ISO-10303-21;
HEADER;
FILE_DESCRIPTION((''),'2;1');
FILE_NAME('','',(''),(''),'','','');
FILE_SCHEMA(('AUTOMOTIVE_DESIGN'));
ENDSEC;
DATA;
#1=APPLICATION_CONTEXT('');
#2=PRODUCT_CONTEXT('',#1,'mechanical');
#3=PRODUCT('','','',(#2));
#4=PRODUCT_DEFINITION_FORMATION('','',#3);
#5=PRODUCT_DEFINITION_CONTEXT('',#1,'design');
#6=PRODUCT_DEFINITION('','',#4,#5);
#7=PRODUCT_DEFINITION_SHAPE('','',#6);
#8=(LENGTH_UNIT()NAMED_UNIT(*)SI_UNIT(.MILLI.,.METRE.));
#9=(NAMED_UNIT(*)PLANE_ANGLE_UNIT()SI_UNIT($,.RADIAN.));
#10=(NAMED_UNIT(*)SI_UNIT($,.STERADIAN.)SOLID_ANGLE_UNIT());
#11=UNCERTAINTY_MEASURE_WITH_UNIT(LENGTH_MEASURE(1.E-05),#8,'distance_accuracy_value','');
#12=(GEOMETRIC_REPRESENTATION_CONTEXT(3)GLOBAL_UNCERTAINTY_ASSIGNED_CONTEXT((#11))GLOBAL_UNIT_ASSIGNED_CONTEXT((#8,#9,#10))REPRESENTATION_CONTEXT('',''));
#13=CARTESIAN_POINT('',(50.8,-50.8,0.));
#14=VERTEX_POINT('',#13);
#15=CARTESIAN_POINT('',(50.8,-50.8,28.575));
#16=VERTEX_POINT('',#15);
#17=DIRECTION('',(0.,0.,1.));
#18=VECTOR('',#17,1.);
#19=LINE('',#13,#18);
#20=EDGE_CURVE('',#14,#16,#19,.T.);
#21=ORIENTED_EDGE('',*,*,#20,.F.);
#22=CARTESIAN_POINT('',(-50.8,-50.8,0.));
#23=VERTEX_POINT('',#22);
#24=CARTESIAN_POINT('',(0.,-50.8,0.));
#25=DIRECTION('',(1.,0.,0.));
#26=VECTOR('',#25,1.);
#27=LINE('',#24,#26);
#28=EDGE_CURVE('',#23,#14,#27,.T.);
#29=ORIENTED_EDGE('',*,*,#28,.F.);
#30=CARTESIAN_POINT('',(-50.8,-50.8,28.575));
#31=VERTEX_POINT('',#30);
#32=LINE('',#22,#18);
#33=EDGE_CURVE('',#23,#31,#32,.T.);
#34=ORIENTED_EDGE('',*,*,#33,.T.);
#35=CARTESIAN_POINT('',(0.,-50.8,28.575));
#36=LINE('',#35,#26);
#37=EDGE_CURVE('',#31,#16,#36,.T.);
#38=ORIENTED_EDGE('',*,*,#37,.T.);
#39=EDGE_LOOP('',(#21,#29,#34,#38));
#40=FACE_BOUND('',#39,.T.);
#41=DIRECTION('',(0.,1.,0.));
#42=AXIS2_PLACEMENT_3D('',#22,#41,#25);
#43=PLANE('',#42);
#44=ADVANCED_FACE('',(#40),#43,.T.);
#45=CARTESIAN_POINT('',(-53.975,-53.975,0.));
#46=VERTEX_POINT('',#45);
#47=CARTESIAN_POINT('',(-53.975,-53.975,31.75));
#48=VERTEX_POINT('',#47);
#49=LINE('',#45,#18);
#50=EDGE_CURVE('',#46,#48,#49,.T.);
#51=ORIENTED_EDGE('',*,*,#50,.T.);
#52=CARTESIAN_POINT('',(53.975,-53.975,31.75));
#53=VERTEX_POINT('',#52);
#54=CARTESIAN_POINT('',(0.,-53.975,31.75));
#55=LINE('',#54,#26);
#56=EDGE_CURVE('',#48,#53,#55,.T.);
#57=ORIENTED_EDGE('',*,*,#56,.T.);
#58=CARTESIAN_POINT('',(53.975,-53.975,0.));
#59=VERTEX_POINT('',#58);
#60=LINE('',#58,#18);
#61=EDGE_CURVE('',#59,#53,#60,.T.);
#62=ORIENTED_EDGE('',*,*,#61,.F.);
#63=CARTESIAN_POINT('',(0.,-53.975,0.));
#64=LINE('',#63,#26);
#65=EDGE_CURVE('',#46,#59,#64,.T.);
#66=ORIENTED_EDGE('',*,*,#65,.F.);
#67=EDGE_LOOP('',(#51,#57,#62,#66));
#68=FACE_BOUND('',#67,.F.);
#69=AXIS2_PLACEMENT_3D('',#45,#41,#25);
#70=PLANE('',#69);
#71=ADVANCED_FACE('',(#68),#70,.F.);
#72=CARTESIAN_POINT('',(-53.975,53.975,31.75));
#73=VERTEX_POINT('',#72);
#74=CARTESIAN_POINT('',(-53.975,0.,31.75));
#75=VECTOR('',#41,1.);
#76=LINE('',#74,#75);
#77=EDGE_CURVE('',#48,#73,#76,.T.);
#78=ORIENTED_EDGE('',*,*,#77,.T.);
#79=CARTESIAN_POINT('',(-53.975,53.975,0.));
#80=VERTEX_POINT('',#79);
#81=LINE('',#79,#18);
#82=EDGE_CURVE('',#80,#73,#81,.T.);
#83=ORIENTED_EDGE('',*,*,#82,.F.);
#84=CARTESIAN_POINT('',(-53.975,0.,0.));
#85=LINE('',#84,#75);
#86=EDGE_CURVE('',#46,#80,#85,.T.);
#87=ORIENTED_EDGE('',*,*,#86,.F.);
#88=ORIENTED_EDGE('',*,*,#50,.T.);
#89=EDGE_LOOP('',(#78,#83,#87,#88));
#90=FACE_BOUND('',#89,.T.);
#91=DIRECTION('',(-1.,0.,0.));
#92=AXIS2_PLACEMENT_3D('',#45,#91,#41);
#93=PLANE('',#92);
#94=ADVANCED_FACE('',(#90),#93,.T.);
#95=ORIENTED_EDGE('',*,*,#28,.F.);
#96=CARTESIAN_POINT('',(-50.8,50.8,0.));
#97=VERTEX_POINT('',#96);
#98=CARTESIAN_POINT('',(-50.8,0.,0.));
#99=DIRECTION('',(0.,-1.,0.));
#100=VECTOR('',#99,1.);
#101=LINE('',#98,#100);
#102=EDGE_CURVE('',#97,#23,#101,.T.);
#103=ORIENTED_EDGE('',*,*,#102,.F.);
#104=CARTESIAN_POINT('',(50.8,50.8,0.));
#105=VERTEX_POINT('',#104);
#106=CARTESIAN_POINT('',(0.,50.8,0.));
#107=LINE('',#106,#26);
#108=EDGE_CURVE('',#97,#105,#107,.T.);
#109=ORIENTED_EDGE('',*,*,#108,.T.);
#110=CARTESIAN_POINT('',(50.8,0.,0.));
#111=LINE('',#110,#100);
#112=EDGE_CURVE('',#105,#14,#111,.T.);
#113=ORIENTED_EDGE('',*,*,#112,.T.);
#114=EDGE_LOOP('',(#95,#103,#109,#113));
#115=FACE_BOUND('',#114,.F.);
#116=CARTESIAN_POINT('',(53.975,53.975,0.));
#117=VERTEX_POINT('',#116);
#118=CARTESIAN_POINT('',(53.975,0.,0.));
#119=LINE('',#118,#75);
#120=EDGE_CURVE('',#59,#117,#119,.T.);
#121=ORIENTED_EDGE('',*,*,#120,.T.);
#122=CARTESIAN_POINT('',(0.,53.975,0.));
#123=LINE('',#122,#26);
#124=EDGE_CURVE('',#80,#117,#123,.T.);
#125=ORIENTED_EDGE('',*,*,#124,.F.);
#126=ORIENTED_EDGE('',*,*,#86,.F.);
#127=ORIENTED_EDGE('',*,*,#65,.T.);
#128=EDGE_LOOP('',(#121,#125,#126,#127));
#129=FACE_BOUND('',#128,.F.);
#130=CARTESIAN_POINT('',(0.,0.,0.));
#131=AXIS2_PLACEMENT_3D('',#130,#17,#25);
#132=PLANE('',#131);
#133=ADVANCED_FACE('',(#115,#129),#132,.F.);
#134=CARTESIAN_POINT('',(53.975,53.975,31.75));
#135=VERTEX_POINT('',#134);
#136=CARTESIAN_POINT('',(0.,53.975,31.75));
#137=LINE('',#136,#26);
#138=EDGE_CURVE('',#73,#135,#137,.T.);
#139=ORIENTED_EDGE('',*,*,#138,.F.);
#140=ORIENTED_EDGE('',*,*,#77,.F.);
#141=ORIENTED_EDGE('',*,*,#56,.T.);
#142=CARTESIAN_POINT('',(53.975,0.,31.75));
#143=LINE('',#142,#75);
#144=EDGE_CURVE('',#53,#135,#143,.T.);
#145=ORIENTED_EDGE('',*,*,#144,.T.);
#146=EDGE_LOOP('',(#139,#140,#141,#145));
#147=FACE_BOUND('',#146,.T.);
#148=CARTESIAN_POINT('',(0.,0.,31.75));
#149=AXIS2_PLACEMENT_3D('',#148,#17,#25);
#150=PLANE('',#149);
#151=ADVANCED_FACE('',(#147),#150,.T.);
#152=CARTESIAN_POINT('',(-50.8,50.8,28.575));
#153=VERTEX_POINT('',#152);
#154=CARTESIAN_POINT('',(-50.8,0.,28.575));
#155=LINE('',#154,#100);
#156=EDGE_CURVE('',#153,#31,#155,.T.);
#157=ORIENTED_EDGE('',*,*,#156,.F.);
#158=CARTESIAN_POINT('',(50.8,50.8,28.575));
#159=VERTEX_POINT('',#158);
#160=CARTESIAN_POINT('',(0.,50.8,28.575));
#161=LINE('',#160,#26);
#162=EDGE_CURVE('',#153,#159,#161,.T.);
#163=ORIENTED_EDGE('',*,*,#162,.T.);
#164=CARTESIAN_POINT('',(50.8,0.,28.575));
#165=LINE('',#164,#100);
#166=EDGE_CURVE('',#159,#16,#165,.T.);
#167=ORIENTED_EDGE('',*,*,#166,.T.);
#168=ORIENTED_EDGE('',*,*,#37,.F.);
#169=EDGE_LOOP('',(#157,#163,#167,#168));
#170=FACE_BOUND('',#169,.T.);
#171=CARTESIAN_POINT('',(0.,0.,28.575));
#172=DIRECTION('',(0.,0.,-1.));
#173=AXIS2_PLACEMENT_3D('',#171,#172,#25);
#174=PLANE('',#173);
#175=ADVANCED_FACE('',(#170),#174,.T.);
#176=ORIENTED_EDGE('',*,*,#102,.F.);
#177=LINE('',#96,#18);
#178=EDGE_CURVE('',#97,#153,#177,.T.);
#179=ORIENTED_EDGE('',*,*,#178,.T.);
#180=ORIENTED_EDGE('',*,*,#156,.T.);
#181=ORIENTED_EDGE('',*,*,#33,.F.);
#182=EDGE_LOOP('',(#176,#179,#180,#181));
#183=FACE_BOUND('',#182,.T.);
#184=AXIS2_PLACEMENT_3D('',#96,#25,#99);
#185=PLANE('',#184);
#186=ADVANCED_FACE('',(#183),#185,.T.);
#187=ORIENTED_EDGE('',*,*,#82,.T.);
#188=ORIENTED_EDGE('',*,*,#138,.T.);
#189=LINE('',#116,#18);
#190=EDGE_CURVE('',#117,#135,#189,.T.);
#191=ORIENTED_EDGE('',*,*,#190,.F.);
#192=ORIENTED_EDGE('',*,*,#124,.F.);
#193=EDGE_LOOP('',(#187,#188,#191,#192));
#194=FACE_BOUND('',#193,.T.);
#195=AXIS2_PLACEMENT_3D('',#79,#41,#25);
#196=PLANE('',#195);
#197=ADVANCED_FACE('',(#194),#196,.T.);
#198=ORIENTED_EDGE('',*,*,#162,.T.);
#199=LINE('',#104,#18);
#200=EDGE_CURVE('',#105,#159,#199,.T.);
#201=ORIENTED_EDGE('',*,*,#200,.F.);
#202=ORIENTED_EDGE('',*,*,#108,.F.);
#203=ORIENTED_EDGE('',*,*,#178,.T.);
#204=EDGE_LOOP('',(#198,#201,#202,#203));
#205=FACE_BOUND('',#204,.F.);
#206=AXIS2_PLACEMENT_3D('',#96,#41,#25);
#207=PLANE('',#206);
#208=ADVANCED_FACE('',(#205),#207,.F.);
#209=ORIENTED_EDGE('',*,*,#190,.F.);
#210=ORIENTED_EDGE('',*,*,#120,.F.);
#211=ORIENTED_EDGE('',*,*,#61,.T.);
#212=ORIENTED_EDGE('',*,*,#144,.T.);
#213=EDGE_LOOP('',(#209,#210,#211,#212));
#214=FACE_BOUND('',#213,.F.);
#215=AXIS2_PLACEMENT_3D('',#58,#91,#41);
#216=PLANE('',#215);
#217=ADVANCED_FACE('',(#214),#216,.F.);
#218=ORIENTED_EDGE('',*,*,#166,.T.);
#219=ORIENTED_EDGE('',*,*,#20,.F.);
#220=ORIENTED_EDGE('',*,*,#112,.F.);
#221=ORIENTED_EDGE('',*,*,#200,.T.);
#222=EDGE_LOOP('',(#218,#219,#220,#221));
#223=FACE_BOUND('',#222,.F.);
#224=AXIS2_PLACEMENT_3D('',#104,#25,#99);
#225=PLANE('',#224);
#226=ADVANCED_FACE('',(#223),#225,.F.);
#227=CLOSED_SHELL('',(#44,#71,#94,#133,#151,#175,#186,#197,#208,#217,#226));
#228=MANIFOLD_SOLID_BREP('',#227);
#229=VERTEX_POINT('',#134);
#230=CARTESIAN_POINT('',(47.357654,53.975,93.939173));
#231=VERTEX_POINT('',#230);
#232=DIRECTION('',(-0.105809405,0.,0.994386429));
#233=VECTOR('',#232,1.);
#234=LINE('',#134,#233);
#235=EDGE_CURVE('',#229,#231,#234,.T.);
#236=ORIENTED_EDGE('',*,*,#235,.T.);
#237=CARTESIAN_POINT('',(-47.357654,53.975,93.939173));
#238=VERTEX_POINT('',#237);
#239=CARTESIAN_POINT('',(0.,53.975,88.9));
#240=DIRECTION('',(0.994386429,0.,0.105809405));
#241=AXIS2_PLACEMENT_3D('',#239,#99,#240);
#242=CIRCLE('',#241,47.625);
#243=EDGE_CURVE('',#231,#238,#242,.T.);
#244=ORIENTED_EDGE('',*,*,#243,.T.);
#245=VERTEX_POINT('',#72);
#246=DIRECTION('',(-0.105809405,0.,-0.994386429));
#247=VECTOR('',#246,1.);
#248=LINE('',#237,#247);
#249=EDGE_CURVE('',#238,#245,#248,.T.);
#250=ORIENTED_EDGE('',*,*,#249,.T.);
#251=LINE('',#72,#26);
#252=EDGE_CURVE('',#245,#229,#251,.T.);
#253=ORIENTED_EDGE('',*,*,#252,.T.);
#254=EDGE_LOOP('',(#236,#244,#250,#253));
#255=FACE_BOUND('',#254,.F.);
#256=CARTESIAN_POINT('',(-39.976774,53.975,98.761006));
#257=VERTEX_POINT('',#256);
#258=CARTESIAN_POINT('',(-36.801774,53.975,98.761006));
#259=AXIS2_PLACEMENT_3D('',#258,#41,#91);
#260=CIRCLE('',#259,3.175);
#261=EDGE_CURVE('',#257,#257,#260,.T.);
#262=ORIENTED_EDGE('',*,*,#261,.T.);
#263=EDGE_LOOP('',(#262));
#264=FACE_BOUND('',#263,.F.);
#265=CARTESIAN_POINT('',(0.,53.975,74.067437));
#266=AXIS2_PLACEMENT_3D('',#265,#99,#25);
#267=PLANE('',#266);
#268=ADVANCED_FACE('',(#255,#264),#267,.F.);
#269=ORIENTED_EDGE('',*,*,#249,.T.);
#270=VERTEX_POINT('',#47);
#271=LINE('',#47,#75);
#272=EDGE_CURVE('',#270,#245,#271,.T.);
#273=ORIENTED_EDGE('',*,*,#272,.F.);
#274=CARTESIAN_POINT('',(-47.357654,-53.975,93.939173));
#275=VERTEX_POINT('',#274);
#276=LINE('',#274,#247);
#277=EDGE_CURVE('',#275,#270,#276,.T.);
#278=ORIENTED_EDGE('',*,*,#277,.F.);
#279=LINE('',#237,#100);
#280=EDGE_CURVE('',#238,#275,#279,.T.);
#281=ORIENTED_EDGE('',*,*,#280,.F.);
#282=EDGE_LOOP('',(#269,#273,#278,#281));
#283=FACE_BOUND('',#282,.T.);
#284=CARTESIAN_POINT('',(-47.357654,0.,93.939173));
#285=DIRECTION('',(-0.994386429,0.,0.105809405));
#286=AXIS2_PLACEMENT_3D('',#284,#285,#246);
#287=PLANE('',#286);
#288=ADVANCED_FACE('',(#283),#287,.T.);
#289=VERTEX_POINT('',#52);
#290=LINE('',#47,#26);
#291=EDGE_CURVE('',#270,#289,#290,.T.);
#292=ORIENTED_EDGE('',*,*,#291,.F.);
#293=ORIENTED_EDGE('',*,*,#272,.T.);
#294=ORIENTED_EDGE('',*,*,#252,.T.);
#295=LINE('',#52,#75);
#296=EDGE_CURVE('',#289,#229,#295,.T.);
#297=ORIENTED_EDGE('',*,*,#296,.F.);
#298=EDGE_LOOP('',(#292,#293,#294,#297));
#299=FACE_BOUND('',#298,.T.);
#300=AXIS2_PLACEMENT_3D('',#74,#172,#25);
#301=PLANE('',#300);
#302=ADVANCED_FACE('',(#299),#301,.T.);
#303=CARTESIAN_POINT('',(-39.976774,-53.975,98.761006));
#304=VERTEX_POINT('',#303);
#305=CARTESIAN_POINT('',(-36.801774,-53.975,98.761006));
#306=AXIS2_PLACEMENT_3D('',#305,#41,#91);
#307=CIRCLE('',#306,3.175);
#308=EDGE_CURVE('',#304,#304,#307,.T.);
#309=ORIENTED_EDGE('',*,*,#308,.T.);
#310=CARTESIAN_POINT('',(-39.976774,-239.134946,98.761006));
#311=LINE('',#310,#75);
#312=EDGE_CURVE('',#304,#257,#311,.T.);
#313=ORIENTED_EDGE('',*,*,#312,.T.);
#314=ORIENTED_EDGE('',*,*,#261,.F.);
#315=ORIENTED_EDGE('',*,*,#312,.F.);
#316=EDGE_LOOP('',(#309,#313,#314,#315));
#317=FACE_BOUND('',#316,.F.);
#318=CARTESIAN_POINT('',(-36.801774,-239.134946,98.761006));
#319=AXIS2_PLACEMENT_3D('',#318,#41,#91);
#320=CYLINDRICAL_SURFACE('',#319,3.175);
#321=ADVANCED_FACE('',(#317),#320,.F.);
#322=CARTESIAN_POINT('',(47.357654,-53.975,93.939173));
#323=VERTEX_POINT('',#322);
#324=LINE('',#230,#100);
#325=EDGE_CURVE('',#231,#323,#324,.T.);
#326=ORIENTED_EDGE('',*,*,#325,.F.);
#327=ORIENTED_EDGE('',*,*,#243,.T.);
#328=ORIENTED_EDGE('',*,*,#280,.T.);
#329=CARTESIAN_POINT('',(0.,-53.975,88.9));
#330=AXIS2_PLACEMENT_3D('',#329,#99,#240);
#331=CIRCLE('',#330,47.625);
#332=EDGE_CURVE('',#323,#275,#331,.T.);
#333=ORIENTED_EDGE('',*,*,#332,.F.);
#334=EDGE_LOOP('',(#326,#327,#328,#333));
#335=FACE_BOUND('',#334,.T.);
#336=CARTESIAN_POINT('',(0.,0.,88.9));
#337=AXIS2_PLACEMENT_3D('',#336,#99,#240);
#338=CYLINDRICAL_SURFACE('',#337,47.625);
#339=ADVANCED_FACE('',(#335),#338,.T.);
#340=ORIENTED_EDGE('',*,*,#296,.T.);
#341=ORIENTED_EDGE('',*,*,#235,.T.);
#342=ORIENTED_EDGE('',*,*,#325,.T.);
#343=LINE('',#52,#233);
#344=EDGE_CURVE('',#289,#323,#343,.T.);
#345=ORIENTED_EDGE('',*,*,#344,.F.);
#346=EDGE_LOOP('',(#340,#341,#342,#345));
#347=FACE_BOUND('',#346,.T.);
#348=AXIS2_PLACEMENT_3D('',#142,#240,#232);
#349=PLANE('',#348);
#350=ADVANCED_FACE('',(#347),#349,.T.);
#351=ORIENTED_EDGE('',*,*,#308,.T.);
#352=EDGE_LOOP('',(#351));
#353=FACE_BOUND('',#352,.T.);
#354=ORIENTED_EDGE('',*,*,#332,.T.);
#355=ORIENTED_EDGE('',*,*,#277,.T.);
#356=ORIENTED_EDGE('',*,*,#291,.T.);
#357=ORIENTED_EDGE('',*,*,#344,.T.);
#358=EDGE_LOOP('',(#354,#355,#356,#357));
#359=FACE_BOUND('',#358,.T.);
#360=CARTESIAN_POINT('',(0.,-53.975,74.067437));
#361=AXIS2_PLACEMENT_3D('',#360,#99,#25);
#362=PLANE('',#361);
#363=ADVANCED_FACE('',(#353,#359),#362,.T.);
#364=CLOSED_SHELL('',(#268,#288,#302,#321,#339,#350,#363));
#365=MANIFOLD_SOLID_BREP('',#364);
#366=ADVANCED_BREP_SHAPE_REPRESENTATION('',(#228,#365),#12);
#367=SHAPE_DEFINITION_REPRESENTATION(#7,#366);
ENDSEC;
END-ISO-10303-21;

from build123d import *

# Parameters (mm, degrees)
F0_W     = 107.95
F0_H     = 107.95
F1_DEPTH = 31.75
F2_W     = 101.6
F2_H     = 101.6
F3_DEPTH = 28.575
F5_DEPTH = 53.975
F7_D     = 6.35


with BuildPart() as f1:
    # F0 (on Top) → F1 (new body)
    with BuildSketch(Plane.XY):
        Rectangle(F0_W, F0_H)
    extrude(amount=F1_DEPTH)

    # F2 (on face) → F3 (cut)
    with BuildSketch(Plane(origin=(0, 0, 0), x_dir=(1, 0, 0), z_dir=(0, 0, -1))):
        Rectangle(F2_W, F2_H)
    extrude(amount=-F3_DEPTH, mode=Mode.SUBTRACT)


with BuildPart() as f5:
    # F4 (on Front) → F5 (new body, symmetric)
    with BuildSketch(Plane.XZ):
        with BuildLine():
            Line((53.975, 31.75), (47.3576536724, 93.9391729128))
            ThreePointArc((47.3576536724, 93.9391729128), (0, 136.525), (-47.3576536724, 93.9391729128))
            Line((-47.3576536724, 93.9391729128), (-53.975, 31.75))
            Line((-53.975, 31.75), (53.975, 31.75))
        make_face()
    extrude(amount=F5_DEPTH, both=True)

    # F7 (through all)
    with Locations(Plane.XZ.offset(53.975)):
        with Locations((-36.8017739816, 98.7610056184)):
            Hole(F7_D / 2)


solid = Compound([f1.part, f5.part])
